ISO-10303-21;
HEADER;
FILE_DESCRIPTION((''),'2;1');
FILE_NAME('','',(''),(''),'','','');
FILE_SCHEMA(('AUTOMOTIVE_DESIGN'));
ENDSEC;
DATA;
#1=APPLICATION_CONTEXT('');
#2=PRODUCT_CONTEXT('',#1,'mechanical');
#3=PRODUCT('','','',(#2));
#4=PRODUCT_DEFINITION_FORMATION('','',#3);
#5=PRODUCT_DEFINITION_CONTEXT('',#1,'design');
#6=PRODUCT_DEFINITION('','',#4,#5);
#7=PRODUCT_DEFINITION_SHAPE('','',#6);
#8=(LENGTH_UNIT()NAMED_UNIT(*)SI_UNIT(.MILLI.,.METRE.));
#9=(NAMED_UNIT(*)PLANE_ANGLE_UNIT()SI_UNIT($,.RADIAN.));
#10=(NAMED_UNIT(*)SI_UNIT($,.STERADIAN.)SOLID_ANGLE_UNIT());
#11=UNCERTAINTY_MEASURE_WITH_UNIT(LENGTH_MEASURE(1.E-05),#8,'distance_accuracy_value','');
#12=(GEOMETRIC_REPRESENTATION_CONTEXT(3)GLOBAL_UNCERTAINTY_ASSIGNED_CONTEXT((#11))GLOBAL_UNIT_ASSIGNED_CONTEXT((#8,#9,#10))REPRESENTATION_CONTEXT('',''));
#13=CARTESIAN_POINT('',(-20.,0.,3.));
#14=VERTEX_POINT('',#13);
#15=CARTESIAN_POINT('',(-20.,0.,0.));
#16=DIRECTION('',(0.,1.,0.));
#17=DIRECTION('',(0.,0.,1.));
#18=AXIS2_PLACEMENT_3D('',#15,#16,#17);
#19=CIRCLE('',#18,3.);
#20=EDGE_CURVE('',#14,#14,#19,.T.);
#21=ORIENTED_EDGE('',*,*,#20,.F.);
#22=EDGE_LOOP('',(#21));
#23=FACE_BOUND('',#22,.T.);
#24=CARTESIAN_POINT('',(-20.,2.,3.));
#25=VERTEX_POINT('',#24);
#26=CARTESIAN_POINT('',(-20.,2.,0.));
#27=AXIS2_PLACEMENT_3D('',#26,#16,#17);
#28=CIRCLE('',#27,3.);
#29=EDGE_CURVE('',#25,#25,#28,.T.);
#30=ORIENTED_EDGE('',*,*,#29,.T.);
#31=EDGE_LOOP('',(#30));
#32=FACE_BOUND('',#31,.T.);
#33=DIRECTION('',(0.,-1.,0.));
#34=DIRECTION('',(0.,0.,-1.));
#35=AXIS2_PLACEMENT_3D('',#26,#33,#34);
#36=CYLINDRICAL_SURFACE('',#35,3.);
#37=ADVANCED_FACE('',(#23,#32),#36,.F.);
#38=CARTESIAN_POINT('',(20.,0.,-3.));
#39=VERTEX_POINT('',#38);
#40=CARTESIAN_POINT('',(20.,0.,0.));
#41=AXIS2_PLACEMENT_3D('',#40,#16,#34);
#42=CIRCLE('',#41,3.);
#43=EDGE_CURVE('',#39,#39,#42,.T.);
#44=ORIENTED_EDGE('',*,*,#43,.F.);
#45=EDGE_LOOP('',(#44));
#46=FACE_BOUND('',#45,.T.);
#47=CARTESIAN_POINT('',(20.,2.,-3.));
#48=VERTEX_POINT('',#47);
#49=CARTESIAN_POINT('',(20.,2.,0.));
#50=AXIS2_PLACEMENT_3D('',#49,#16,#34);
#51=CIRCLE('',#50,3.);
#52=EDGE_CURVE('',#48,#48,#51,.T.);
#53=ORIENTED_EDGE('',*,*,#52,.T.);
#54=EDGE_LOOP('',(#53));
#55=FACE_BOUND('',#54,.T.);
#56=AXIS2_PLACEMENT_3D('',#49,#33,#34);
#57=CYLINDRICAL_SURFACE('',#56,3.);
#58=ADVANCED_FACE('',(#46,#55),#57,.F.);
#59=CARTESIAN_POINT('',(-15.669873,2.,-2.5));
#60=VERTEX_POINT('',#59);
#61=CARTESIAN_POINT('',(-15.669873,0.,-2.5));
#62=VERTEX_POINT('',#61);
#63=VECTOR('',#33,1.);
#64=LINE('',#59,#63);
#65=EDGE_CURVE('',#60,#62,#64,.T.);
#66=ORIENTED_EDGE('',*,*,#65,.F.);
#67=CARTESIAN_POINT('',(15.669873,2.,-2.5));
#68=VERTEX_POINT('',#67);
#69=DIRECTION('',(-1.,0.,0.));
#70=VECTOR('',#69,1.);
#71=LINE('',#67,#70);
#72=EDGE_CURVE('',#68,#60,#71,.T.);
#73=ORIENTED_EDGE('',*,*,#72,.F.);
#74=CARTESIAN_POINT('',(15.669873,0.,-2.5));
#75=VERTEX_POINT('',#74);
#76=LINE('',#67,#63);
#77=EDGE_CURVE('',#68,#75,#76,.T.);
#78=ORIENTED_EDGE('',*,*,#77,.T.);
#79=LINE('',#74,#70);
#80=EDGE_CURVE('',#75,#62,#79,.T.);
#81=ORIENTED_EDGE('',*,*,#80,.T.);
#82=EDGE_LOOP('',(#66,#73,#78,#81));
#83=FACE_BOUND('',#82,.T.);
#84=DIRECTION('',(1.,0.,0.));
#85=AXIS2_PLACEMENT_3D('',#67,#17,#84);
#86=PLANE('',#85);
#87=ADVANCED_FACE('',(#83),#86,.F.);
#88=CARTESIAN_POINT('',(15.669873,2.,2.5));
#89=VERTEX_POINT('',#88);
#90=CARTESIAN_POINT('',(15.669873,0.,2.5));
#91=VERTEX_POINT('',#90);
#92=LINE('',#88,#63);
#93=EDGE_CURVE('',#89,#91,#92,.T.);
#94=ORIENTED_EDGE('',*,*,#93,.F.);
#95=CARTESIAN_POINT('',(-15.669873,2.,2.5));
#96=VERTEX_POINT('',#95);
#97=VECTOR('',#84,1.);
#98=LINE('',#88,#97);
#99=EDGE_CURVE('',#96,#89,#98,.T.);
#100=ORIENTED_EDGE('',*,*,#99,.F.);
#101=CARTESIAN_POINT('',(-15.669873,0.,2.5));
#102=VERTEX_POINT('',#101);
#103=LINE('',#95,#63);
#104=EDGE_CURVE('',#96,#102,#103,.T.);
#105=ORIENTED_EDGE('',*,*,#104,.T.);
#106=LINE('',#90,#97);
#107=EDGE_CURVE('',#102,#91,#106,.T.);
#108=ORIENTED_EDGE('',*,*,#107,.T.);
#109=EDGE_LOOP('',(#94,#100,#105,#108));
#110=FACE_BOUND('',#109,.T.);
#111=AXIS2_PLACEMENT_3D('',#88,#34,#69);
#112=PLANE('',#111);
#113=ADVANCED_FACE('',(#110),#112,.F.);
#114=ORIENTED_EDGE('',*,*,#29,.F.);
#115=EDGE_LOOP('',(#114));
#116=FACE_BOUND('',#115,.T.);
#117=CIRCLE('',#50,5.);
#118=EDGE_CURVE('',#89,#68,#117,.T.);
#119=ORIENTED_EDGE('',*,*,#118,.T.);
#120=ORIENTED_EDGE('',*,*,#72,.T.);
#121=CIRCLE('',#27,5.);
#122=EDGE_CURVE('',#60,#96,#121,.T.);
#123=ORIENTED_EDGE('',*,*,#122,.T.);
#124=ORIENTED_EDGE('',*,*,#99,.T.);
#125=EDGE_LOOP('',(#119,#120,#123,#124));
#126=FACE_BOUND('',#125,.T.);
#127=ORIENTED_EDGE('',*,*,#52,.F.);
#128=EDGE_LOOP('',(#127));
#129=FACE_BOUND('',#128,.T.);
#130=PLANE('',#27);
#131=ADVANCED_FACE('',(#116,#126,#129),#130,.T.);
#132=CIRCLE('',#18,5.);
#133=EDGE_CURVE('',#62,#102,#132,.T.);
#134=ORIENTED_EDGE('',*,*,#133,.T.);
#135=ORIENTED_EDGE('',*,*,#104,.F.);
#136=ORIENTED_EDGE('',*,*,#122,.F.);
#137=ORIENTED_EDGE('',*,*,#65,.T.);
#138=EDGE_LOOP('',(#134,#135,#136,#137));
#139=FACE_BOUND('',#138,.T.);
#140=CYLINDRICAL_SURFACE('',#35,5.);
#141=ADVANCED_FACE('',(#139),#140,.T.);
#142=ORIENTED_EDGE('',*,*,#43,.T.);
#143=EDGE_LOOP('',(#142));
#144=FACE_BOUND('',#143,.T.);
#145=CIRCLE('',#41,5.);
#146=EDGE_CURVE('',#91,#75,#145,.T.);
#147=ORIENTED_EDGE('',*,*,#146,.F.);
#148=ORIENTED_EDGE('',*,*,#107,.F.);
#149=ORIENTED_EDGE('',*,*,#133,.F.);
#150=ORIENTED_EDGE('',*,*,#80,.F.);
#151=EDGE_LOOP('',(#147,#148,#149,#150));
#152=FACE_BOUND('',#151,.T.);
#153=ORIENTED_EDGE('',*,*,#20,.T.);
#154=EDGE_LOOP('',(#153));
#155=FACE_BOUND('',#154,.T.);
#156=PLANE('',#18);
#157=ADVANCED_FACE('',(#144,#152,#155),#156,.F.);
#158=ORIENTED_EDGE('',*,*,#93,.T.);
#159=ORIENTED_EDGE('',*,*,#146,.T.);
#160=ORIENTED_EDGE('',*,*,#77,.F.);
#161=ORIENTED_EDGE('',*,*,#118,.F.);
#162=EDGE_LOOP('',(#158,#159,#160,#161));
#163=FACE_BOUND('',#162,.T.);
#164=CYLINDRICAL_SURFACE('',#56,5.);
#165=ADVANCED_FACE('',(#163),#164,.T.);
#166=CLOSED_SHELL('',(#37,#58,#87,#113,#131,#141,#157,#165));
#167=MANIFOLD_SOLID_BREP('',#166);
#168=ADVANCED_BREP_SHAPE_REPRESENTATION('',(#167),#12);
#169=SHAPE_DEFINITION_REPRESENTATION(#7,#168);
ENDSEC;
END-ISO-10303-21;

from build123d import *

# Parameters (mm, degrees)
SKETCH1_R           = 3
BOSS_EXTRUDE1_DEPTH = 2


with BuildPart() as part:
    # Sketch1 → Boss-Extrude1 (new body)
    with BuildSketch(Plane(origin=(0, 0, 0), x_dir=(1, 0, 0), z_dir=(0, 1, 0))):
        with BuildLine():
            Line((15.669872981, -2.5), (-15.669872981, -2.5))
            ThreePointArc((-15.669872981, -2.5), (-25, 0), (-15.669872981, 2.5))
            Line((-15.669872981, 2.5), (15.669872981, 2.5))
            ThreePointArc((15.669872981, 2.5), (25, 0), (15.669872981, -2.5))
        make_face()
        with Locations(Location((-20, 0, 0), (0, 0, 270))):
            Circle(SKETCH1_R, mode=Mode.SUBTRACT)
        with Locations(Location((20, 0, 0), (0, 0, 90))):
            Circle(SKETCH1_R, mode=Mode.SUBTRACT)
    extrude(amount=BOSS_EXTRUDE1_DEPTH)


solid = part.part
